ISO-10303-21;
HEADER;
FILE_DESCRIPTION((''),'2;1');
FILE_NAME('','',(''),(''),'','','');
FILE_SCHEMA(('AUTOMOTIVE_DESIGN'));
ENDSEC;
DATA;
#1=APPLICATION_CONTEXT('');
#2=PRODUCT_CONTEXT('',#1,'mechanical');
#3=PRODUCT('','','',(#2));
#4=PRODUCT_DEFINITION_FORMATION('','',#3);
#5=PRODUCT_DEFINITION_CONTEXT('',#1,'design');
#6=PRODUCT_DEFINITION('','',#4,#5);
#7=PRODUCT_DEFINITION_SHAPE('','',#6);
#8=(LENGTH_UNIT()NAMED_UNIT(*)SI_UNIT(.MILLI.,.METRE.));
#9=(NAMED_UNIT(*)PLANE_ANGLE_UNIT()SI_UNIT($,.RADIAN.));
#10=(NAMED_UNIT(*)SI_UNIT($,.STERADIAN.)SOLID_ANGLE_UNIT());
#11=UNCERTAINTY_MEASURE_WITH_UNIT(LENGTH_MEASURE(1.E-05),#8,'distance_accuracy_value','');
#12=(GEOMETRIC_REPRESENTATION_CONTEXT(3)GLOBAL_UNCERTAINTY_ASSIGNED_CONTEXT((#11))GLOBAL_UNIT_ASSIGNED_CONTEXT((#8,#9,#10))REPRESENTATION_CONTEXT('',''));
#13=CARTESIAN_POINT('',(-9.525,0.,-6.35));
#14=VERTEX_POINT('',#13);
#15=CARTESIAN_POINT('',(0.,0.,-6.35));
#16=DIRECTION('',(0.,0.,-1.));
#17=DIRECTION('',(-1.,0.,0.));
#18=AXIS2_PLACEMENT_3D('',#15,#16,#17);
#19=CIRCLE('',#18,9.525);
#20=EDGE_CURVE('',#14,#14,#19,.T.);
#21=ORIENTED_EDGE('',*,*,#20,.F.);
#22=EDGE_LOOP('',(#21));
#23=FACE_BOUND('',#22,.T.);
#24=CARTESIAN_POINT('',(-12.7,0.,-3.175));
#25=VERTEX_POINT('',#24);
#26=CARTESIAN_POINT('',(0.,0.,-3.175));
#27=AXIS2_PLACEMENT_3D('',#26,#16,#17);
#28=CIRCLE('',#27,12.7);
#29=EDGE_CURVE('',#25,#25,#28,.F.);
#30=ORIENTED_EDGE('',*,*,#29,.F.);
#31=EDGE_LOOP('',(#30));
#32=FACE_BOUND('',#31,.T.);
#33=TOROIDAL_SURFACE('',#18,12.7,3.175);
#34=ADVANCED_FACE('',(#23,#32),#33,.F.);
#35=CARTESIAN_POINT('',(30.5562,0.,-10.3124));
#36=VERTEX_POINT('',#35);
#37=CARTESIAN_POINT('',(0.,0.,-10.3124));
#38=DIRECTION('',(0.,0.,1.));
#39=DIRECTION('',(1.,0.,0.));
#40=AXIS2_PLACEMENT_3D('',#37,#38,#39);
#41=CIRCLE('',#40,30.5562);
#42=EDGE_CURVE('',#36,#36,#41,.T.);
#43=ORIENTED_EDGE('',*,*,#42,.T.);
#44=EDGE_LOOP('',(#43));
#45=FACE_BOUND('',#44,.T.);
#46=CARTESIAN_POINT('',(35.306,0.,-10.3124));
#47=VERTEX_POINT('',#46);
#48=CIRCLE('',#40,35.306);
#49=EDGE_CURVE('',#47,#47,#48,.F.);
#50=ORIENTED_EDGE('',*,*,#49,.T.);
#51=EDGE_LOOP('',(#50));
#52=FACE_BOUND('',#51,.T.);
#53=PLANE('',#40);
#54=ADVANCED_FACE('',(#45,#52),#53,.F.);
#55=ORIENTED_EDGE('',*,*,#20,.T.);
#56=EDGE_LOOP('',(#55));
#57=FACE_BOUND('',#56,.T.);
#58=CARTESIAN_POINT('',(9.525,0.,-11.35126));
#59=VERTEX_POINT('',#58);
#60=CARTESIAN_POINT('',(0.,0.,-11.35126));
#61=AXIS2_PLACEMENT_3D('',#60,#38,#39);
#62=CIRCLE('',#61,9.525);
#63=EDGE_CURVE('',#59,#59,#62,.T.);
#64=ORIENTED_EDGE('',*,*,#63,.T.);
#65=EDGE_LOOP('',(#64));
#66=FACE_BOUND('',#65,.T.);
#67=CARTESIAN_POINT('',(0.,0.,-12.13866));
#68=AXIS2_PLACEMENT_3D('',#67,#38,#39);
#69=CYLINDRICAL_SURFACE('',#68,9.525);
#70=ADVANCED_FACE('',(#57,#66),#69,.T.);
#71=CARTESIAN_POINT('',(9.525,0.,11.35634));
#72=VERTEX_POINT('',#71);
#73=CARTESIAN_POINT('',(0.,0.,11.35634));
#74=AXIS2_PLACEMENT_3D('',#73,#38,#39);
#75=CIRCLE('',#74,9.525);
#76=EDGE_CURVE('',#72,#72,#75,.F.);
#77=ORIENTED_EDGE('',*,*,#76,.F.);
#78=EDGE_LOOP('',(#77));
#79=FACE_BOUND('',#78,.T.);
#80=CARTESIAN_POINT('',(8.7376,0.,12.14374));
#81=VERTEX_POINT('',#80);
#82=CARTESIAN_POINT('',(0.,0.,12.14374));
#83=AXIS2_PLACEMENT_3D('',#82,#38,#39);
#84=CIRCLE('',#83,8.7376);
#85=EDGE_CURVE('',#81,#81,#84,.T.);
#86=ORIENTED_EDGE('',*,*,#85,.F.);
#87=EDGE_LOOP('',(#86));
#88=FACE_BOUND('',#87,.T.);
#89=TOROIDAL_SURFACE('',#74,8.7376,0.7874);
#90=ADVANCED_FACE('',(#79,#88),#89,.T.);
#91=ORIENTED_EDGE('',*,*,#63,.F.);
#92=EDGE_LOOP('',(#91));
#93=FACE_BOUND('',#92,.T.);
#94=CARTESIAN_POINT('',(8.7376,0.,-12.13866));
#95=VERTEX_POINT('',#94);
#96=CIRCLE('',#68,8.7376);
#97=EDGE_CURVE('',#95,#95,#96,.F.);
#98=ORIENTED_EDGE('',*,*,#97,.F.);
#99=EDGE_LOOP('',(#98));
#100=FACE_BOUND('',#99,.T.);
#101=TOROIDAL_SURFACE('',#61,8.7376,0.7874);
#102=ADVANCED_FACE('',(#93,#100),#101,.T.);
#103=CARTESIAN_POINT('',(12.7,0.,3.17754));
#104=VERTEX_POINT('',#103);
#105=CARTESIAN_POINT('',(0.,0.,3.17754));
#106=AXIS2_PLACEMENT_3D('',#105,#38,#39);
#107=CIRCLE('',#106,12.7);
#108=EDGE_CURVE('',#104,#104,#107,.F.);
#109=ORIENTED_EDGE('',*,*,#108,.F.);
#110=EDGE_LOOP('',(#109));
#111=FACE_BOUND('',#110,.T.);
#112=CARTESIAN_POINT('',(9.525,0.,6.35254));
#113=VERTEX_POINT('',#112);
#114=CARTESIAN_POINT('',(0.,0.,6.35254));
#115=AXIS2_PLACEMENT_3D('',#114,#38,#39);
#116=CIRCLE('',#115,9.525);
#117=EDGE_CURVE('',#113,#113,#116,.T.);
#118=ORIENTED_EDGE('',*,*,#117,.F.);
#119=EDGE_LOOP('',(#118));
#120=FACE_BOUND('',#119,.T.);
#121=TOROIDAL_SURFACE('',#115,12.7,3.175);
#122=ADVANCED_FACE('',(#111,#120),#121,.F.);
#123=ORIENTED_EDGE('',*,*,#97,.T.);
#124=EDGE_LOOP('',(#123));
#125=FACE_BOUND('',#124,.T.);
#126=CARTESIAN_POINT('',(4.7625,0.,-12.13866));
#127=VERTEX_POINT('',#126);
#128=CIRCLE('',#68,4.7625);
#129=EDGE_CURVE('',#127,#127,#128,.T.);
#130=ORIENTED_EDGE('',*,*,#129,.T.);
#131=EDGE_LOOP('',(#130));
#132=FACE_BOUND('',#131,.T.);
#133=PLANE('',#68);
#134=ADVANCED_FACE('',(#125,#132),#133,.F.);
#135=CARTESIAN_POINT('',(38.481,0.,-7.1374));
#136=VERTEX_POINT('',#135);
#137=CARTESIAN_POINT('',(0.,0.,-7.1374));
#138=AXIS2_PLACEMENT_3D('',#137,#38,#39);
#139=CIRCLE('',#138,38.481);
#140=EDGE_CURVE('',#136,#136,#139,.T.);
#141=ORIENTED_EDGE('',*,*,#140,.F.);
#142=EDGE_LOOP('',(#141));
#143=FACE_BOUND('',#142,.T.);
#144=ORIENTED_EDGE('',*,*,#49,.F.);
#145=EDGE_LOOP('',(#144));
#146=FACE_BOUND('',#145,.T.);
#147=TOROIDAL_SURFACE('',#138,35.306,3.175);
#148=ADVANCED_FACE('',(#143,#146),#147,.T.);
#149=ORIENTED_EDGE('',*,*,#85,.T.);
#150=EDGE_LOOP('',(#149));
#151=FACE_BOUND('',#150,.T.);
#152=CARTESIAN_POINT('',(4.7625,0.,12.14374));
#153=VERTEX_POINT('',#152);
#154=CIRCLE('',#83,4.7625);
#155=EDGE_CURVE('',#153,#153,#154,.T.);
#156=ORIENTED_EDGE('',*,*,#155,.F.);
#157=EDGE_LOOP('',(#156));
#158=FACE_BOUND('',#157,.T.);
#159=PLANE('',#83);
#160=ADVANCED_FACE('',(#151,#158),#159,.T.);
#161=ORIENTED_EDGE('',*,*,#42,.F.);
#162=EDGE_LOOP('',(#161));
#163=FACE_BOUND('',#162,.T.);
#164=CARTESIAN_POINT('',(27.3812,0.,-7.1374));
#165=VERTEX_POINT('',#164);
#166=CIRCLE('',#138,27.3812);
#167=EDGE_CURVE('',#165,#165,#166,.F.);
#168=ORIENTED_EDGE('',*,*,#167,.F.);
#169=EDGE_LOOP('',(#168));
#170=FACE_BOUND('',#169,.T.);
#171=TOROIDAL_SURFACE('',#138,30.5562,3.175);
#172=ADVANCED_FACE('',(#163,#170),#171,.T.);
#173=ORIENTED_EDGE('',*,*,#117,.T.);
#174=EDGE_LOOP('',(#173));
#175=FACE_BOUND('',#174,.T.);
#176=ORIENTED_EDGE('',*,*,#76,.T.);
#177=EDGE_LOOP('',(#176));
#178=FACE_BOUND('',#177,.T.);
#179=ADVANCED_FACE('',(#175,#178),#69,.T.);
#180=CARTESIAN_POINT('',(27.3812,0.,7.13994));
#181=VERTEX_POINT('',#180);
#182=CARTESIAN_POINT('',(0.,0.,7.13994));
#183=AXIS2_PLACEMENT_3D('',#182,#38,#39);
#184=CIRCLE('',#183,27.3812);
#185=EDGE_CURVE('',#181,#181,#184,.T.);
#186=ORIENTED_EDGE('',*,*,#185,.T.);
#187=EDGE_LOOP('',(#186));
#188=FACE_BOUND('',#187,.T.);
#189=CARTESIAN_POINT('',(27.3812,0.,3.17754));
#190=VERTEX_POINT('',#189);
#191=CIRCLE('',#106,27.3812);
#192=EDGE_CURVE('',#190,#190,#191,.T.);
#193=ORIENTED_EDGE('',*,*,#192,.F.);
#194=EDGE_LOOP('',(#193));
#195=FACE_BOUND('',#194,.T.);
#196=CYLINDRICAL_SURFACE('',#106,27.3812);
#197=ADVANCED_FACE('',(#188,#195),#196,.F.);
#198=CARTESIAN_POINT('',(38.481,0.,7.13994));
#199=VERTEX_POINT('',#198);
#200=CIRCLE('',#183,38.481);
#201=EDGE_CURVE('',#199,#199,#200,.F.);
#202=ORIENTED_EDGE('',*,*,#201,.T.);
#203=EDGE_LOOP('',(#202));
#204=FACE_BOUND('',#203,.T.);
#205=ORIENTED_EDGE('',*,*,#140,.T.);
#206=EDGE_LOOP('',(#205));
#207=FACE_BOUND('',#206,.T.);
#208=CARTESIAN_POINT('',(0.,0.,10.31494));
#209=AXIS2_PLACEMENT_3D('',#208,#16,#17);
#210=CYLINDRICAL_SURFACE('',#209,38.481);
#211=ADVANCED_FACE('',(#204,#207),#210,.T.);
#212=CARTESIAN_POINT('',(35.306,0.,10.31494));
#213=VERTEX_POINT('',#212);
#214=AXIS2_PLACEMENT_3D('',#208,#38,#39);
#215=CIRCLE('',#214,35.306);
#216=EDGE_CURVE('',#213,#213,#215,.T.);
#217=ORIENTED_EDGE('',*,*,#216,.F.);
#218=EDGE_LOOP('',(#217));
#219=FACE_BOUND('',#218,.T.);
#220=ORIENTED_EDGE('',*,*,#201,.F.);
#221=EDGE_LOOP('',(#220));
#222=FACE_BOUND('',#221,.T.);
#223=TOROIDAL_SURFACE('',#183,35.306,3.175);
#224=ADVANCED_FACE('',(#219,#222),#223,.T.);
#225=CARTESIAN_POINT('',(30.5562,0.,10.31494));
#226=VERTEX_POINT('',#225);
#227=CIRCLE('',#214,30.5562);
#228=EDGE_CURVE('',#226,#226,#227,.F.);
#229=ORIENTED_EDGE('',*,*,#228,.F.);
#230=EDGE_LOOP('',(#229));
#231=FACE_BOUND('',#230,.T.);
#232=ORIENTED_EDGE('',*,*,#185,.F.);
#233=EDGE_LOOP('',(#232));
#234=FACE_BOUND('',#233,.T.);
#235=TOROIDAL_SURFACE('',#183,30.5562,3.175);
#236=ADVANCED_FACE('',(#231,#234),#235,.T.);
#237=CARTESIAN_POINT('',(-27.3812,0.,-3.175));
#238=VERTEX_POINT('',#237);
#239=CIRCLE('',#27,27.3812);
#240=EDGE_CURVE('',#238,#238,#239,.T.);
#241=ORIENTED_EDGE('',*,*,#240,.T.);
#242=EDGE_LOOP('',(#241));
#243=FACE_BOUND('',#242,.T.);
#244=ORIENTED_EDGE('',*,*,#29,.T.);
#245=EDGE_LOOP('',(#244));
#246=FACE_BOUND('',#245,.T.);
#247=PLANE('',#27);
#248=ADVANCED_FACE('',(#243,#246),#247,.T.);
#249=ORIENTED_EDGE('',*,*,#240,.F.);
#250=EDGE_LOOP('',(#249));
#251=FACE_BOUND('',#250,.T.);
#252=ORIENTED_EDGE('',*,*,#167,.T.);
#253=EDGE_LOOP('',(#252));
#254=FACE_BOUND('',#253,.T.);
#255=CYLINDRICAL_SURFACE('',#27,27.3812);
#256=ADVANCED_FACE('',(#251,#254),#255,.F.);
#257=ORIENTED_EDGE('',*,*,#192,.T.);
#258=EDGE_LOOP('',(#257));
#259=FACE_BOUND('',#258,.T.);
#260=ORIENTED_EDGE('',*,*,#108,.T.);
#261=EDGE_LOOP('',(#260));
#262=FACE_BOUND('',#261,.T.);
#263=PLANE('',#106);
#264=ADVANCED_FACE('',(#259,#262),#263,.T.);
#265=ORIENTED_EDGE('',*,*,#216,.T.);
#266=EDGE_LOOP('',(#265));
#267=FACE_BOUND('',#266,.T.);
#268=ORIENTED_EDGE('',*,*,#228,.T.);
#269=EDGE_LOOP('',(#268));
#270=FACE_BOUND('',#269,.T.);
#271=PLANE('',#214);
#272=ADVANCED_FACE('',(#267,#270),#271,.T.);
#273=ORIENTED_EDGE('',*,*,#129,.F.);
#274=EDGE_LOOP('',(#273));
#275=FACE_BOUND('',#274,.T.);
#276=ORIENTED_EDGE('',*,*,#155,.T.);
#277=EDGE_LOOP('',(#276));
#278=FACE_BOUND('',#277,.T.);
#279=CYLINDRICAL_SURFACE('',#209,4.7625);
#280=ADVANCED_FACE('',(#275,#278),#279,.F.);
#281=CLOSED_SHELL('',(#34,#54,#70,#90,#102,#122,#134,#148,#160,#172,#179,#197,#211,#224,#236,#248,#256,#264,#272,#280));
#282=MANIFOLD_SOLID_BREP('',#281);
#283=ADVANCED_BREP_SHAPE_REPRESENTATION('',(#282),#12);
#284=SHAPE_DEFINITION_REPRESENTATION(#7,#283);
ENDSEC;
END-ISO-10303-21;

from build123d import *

# Parameters (mm, degrees)
SKETCH1_R                = 38.481
SKETCH1_R_2              = 4.7625
BOSS_EXTRUDE1_DEPTH      = 10.31494
BOSS_EXTRUDE1_DEPTH_BACK = 10.3124
SKETCH2_R                = 9.525
SKETCH2_R_2              = 4.7625
BOSS_EXTRUDE2_DEPTH      = 1.8288
BOSS_EXTRUDE2_DEPTH_BACK = 22.4536
SKETCH3_R                = 27.3812
SKETCH3_R_2              = 9.525
CUT_EXTRUDE1_DEPTH       = 7.1374
SKETCH4_R                = 27.3812
SKETCH4_R_2              = 9.525
CUT_EXTRUDE2_DEPTH       = 7.1374
FILLET1_R                = 3.175
FILLET2_R                = 0.7874


with BuildPart() as part:
    # Sketch1 → Boss-Extrude1 (new body, two sides)
    with BuildSketch(Plane.XY) as boss_extrude1_sk:
        Circle(SKETCH1_R)
        Circle(SKETCH1_R_2, mode=Mode.SUBTRACT)
    extrude(amount=BOSS_EXTRUDE1_DEPTH)
    extrude(boss_extrude1_sk.sketch, amount=-BOSS_EXTRUDE1_DEPTH_BACK)

    # Sketch2 → Boss-Extrude2 (add, two sides)
    with BuildSketch(Plane.XY.offset(10.31494)) as boss_extrude2_sk:
        Circle(SKETCH2_R)
        Circle(SKETCH2_R_2, mode=Mode.SUBTRACT)
    extrude(amount=BOSS_EXTRUDE2_DEPTH)
    extrude(boss_extrude2_sk.sketch, amount=-BOSS_EXTRUDE2_DEPTH_BACK)

    # Sketch3 → Cut-Extrude1 (cut)
    with BuildSketch(Plane(origin=(0, 0, -10.3124), x_dir=(-1, 0, 0), z_dir=(0, 0, -1))):
        Circle(SKETCH3_R)
        Circle(SKETCH3_R_2, mode=Mode.SUBTRACT)
    extrude(amount=-CUT_EXTRUDE1_DEPTH, mode=Mode.SUBTRACT)

    # Sketch4 → Cut-Extrude2 (cut)
    with BuildSketch(Plane.XY.offset(10.31494)):
        Circle(SKETCH4_R)
        Circle(SKETCH4_R_2, mode=Mode.SUBTRACT)
    extrude(amount=-CUT_EXTRUDE2_DEPTH, mode=Mode.SUBTRACT)

    # Fillet1
    fillet1_edges = [part.edges().sort_by_distance(p)[0] for p in [
        (9.525, 0, -3.175),
        (27.3812, 0, -10.3124),
        (-9.525, 0, 3.17754),
        (-27.3812, 0, 10.31494),
        (-38.481, 0, 10.31494),
        (-38.481, 0, -10.3124),
    ]]
    fillet(fillet1_edges, radius=FILLET1_R)

    # Fillet2
    fillet2_edges = [part.edges().sort_by_distance(p)[0] for p in [
        (-9.525, 0, -12.13866),
        (-9.525, 0, 12.14374),
    ]]
    fillet(fillet2_edges, radius=FILLET2_R)


solid = part.part
